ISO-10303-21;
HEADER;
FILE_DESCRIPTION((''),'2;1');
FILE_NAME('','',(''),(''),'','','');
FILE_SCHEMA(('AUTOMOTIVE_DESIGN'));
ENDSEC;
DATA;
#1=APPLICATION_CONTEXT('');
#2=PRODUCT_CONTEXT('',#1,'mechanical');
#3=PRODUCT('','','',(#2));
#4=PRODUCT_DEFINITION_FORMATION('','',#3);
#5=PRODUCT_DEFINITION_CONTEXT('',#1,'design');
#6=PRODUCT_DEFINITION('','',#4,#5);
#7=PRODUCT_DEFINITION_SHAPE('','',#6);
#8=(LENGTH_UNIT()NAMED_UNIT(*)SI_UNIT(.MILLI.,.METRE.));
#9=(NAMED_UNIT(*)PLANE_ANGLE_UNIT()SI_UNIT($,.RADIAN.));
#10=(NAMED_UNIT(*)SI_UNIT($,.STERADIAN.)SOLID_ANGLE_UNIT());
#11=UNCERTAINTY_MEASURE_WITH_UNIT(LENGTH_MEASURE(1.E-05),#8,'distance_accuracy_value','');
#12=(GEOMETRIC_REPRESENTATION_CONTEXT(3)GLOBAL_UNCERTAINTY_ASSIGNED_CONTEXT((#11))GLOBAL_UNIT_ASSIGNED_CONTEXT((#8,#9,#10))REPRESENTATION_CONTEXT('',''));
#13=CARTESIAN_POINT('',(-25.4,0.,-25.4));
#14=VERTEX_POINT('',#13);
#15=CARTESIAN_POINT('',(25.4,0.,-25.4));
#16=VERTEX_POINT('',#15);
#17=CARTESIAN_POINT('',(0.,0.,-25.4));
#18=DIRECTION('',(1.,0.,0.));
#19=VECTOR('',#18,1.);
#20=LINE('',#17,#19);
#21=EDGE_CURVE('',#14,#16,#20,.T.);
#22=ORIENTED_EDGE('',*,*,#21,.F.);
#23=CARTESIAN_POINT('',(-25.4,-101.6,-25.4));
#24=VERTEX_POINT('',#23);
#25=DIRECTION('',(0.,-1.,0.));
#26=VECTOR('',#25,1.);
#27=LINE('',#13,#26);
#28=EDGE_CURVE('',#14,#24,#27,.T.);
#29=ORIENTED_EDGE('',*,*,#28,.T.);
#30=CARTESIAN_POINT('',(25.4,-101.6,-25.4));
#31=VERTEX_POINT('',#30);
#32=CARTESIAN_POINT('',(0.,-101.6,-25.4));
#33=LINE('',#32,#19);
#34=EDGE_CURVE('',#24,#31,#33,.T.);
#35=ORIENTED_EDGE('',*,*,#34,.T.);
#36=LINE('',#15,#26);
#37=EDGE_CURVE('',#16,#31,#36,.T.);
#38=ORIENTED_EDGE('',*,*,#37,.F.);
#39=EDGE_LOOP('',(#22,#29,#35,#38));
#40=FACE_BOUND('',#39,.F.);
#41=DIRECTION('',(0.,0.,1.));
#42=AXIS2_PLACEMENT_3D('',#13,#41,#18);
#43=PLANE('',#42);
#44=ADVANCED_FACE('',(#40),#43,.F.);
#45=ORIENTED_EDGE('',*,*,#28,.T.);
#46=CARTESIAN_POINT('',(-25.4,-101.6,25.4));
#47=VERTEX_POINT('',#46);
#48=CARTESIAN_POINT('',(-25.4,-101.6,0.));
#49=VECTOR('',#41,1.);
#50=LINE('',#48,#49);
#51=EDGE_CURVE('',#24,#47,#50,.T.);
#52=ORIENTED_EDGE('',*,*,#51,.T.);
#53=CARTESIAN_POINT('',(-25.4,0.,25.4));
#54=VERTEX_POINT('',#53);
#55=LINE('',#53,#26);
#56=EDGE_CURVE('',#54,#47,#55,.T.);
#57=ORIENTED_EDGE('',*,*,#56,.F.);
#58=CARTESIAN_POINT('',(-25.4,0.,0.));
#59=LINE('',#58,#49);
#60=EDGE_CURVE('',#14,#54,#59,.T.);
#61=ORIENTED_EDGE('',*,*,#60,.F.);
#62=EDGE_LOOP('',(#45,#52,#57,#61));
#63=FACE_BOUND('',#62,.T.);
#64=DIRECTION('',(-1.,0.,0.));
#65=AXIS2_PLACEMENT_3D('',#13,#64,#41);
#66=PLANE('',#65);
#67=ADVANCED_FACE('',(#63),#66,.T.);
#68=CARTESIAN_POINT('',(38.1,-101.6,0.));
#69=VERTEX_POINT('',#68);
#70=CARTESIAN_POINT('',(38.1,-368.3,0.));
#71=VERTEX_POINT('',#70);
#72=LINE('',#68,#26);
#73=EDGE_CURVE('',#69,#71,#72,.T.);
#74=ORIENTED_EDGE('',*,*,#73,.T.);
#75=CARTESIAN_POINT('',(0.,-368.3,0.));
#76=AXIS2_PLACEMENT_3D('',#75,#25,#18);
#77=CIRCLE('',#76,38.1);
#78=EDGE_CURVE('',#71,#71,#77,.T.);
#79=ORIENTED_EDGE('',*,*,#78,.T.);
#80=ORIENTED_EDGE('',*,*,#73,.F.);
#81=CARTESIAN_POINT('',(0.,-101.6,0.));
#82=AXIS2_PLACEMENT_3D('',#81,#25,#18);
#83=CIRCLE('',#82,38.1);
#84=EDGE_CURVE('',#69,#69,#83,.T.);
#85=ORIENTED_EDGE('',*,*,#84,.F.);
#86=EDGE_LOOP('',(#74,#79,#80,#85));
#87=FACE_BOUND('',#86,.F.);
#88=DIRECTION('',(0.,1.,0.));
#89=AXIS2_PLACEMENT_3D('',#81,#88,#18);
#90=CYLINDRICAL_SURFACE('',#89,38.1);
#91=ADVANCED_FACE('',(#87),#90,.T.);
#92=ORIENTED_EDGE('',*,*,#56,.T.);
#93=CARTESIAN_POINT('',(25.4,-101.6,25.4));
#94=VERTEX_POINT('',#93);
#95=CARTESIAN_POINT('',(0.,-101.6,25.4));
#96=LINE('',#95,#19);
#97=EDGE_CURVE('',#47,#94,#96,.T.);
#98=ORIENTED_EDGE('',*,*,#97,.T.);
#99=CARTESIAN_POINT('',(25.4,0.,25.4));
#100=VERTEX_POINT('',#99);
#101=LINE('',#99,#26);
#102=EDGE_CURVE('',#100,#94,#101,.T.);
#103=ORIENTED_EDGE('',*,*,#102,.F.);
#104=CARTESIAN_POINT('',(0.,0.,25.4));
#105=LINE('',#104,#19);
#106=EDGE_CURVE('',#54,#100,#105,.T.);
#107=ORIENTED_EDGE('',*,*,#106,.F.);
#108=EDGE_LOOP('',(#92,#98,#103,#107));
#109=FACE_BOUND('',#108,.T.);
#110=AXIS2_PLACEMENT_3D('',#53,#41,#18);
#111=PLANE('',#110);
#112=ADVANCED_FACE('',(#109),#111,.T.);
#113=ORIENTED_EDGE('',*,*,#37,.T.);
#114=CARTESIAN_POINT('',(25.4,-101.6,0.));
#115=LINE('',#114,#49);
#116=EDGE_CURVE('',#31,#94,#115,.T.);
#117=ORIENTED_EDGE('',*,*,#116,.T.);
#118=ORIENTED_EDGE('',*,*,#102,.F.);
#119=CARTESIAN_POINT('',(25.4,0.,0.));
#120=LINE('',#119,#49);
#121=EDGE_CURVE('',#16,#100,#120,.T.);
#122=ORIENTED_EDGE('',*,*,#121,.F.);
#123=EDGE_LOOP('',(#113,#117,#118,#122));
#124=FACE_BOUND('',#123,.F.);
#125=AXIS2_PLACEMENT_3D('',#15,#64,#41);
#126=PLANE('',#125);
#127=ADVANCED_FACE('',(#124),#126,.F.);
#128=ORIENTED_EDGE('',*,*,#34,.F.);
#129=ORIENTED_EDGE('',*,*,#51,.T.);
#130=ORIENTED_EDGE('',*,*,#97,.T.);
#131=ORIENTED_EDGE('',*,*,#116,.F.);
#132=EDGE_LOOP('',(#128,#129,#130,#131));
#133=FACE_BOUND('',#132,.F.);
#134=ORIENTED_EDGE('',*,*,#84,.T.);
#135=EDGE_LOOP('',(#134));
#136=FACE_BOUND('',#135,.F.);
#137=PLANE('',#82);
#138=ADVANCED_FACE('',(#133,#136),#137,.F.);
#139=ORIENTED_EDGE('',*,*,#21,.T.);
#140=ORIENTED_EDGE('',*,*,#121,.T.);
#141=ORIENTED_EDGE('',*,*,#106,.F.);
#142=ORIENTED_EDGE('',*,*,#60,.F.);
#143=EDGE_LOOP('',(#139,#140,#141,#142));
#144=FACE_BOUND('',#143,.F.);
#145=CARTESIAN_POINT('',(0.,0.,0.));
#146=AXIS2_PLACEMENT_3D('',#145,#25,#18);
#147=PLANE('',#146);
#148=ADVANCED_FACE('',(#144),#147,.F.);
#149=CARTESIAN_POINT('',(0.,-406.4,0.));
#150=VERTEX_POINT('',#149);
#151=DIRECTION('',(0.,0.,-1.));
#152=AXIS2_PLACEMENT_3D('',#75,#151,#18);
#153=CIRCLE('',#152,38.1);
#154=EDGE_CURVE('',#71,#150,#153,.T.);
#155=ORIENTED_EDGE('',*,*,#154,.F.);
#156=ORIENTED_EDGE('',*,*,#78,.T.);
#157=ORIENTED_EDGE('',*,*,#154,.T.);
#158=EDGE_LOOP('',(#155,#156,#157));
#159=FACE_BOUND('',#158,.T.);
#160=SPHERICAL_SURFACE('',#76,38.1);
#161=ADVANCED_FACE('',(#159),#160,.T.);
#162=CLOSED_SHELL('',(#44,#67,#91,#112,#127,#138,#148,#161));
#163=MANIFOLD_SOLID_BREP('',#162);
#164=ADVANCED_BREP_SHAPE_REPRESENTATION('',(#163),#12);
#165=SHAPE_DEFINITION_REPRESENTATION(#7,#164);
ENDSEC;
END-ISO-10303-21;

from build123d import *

# Parameters (mm, degrees)
F0_W     = 50.8
F0_H     = 50.8
F1_DEPTH = 101.6
F2_R     = 38.1
F3_DEPTH = 304.8
F4_R     = 38.1


with BuildPart() as f1:
    # F0 (on Front) → F1 (new body)
    with BuildSketch(Plane.XZ):
        Rectangle(F0_W, F0_H)
    extrude(amount=F1_DEPTH)

    # F2 (on face) → F3 (join)
    with BuildSketch(Plane.XZ.offset(101.6)):
        Circle(F2_R)
    extrude(amount=F3_DEPTH)

    # F4
    f4_edges = [f1.edges().sort_by_distance(p)[0] for p in [
        (-38.1, -406.4, 0),
    ]]
    fillet(f4_edges, radius=F4_R)


solid = f1.part
